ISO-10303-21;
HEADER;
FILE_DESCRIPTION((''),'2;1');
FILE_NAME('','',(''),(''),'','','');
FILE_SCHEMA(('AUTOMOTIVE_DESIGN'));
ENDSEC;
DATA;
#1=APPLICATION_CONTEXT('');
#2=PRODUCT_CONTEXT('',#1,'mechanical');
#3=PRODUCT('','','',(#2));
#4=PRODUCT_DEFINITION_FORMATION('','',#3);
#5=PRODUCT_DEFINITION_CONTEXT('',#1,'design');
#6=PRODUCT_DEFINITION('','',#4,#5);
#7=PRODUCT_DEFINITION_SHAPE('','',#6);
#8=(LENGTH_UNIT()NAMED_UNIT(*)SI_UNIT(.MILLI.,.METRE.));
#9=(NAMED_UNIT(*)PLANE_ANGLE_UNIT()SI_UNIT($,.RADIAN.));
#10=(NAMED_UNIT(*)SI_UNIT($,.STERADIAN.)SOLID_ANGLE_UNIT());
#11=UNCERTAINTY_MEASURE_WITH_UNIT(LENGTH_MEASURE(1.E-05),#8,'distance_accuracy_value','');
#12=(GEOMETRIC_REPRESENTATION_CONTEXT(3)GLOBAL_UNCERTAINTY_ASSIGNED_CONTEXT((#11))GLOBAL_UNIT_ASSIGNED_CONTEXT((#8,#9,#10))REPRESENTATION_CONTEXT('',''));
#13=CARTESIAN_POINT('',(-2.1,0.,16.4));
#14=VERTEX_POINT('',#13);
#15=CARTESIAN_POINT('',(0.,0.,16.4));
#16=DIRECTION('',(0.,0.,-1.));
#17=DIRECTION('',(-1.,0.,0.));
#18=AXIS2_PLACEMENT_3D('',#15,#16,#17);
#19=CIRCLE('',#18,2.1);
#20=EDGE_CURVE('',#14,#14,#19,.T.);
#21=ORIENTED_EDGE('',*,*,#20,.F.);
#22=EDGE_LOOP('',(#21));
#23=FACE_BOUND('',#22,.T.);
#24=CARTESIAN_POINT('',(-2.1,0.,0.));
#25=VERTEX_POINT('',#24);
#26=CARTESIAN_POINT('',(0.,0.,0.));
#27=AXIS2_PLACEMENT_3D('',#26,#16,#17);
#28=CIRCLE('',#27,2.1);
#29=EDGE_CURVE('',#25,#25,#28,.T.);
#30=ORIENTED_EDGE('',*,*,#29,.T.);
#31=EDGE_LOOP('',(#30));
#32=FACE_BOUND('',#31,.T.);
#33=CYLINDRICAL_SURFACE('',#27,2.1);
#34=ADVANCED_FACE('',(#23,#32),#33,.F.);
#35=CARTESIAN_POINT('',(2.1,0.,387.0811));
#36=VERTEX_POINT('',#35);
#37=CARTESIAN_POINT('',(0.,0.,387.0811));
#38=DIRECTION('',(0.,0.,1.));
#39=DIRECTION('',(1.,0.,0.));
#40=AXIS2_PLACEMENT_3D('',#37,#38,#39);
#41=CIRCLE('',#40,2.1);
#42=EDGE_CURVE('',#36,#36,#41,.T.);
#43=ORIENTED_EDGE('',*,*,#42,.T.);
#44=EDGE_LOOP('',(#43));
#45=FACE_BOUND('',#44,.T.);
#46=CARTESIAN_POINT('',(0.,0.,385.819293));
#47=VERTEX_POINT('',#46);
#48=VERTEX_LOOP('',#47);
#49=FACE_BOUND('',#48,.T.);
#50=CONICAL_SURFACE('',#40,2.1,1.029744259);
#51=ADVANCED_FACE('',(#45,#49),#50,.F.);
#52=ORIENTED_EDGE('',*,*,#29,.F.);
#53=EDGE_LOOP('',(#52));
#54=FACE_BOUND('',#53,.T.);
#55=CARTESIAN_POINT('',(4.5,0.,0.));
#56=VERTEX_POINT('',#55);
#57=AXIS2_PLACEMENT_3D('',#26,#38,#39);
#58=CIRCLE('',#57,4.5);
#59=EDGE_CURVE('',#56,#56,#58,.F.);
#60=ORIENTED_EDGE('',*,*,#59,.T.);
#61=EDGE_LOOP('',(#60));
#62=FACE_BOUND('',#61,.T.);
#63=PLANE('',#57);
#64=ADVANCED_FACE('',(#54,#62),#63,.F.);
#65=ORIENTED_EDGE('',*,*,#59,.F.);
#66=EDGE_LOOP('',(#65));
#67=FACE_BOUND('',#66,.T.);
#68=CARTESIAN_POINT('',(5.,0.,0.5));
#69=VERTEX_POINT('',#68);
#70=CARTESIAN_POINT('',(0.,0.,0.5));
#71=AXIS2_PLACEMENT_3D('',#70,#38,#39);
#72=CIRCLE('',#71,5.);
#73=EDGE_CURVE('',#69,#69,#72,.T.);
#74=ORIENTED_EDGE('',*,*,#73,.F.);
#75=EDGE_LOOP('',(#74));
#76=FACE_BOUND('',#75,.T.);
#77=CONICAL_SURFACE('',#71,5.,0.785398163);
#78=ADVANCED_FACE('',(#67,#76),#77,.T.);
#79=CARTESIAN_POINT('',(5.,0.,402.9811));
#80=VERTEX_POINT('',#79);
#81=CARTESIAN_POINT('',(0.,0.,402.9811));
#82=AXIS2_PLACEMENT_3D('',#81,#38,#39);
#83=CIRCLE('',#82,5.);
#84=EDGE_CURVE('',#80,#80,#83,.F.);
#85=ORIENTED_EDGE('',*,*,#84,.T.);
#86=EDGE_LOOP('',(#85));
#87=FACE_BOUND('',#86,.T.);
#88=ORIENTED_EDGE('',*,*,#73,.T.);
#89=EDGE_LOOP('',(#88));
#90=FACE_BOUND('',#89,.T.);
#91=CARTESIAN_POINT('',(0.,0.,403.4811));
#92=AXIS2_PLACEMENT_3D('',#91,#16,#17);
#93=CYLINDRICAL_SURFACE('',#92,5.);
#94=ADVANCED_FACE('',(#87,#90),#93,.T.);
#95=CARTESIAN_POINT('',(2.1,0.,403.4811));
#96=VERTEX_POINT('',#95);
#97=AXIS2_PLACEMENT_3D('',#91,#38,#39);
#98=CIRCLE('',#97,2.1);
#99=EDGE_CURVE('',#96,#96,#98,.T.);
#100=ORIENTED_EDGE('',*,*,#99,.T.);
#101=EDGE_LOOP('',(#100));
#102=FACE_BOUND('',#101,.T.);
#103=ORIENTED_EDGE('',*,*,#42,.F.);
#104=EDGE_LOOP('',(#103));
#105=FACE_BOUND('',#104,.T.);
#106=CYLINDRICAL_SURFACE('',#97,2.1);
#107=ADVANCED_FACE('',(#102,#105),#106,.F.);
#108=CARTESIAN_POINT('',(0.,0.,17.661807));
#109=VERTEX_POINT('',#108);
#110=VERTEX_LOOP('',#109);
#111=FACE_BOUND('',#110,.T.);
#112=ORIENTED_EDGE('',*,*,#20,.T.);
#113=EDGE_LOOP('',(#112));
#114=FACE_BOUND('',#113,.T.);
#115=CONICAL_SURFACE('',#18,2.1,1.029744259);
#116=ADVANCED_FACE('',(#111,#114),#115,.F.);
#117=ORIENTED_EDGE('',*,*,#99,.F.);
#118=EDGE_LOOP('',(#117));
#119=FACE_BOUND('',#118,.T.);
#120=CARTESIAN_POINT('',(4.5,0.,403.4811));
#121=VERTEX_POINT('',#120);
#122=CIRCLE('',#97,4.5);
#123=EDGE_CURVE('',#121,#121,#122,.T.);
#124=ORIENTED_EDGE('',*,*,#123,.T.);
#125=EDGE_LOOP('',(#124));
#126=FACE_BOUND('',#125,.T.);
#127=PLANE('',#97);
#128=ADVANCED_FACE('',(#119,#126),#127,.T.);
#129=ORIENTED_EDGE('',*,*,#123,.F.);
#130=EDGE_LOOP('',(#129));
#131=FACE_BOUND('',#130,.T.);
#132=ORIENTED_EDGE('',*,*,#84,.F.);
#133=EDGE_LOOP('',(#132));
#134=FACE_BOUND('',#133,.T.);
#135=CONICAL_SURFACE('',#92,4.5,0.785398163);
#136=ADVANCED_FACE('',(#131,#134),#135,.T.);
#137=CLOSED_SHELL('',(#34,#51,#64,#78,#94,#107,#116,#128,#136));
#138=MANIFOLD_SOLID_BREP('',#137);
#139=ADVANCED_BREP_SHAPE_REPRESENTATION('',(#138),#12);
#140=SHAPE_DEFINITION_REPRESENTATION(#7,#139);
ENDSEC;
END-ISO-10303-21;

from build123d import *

# Parameters (mm, degrees)
SKETCH1_R                           = 5
BOSS_EXTRUDE1_DEPTH                 = 403.4811
CHAMFER1_SIZE                       = 0.5
M5X0_8_TAPPED_HOLE1_D               = 4.2
M5X0_8_TAPPED_HOLE1_DEPTH           = 16.4
M5X0_8_TAPPED_HOLE1_TIP             = 1.2618073
M5X0_8_TAPPED_HOLE1_ON_FACE_2_D     = 4.2
M5X0_8_TAPPED_HOLE1_ON_FACE_2_DEPTH = 16.4
M5X0_8_TAPPED_HOLE1_ON_FACE_2_TIP   = 1.2618073


with BuildPart() as part:
    # Sketch1 → Boss-Extrude1 (new body)
    with BuildSketch(Plane.XY):
        Circle(SKETCH1_R)
    extrude(amount=BOSS_EXTRUDE1_DEPTH)

    # Chamfer1
    chamfer1_edges = [part.edges().sort_by_distance(p)[0] for p in [
        (-5, 0, 0),
        (-5, 0, 403.4811),
    ]]
    chamfer(chamfer1_edges, length=CHAMFER1_SIZE)

    # M5x0.8 Tapped Hole1
    with Locations(Plane.XY.offset(403.4811)):
        with Locations((0, 0)):
            Hole(M5X0_8_TAPPED_HOLE1_D / 2, depth=M5X0_8_TAPPED_HOLE1_DEPTH)
            with Locations((0, 0, -(M5X0_8_TAPPED_HOLE1_DEPTH + M5X0_8_TAPPED_HOLE1_TIP / 2))):  # 118° drill point
                Cone(0, M5X0_8_TAPPED_HOLE1_D / 2, M5X0_8_TAPPED_HOLE1_TIP, mode=Mode.SUBTRACT)

    # M5x0.8 Tapped Hole1 on face 2
    with Locations(Plane(origin=(0, 0, 0), x_dir=(-1, 0, 0), z_dir=(0, 0, -1))):
        with Locations((0, 0)):
            Hole(M5X0_8_TAPPED_HOLE1_ON_FACE_2_D / 2, depth=M5X0_8_TAPPED_HOLE1_ON_FACE_2_DEPTH)
            with Locations((0, 0, -(M5X0_8_TAPPED_HOLE1_ON_FACE_2_DEPTH + M5X0_8_TAPPED_HOLE1_ON_FACE_2_TIP / 2))):  # 118° drill point
                Cone(0, M5X0_8_TAPPED_HOLE1_ON_FACE_2_D / 2, M5X0_8_TAPPED_HOLE1_ON_FACE_2_TIP, mode=Mode.SUBTRACT)


solid = part.part
